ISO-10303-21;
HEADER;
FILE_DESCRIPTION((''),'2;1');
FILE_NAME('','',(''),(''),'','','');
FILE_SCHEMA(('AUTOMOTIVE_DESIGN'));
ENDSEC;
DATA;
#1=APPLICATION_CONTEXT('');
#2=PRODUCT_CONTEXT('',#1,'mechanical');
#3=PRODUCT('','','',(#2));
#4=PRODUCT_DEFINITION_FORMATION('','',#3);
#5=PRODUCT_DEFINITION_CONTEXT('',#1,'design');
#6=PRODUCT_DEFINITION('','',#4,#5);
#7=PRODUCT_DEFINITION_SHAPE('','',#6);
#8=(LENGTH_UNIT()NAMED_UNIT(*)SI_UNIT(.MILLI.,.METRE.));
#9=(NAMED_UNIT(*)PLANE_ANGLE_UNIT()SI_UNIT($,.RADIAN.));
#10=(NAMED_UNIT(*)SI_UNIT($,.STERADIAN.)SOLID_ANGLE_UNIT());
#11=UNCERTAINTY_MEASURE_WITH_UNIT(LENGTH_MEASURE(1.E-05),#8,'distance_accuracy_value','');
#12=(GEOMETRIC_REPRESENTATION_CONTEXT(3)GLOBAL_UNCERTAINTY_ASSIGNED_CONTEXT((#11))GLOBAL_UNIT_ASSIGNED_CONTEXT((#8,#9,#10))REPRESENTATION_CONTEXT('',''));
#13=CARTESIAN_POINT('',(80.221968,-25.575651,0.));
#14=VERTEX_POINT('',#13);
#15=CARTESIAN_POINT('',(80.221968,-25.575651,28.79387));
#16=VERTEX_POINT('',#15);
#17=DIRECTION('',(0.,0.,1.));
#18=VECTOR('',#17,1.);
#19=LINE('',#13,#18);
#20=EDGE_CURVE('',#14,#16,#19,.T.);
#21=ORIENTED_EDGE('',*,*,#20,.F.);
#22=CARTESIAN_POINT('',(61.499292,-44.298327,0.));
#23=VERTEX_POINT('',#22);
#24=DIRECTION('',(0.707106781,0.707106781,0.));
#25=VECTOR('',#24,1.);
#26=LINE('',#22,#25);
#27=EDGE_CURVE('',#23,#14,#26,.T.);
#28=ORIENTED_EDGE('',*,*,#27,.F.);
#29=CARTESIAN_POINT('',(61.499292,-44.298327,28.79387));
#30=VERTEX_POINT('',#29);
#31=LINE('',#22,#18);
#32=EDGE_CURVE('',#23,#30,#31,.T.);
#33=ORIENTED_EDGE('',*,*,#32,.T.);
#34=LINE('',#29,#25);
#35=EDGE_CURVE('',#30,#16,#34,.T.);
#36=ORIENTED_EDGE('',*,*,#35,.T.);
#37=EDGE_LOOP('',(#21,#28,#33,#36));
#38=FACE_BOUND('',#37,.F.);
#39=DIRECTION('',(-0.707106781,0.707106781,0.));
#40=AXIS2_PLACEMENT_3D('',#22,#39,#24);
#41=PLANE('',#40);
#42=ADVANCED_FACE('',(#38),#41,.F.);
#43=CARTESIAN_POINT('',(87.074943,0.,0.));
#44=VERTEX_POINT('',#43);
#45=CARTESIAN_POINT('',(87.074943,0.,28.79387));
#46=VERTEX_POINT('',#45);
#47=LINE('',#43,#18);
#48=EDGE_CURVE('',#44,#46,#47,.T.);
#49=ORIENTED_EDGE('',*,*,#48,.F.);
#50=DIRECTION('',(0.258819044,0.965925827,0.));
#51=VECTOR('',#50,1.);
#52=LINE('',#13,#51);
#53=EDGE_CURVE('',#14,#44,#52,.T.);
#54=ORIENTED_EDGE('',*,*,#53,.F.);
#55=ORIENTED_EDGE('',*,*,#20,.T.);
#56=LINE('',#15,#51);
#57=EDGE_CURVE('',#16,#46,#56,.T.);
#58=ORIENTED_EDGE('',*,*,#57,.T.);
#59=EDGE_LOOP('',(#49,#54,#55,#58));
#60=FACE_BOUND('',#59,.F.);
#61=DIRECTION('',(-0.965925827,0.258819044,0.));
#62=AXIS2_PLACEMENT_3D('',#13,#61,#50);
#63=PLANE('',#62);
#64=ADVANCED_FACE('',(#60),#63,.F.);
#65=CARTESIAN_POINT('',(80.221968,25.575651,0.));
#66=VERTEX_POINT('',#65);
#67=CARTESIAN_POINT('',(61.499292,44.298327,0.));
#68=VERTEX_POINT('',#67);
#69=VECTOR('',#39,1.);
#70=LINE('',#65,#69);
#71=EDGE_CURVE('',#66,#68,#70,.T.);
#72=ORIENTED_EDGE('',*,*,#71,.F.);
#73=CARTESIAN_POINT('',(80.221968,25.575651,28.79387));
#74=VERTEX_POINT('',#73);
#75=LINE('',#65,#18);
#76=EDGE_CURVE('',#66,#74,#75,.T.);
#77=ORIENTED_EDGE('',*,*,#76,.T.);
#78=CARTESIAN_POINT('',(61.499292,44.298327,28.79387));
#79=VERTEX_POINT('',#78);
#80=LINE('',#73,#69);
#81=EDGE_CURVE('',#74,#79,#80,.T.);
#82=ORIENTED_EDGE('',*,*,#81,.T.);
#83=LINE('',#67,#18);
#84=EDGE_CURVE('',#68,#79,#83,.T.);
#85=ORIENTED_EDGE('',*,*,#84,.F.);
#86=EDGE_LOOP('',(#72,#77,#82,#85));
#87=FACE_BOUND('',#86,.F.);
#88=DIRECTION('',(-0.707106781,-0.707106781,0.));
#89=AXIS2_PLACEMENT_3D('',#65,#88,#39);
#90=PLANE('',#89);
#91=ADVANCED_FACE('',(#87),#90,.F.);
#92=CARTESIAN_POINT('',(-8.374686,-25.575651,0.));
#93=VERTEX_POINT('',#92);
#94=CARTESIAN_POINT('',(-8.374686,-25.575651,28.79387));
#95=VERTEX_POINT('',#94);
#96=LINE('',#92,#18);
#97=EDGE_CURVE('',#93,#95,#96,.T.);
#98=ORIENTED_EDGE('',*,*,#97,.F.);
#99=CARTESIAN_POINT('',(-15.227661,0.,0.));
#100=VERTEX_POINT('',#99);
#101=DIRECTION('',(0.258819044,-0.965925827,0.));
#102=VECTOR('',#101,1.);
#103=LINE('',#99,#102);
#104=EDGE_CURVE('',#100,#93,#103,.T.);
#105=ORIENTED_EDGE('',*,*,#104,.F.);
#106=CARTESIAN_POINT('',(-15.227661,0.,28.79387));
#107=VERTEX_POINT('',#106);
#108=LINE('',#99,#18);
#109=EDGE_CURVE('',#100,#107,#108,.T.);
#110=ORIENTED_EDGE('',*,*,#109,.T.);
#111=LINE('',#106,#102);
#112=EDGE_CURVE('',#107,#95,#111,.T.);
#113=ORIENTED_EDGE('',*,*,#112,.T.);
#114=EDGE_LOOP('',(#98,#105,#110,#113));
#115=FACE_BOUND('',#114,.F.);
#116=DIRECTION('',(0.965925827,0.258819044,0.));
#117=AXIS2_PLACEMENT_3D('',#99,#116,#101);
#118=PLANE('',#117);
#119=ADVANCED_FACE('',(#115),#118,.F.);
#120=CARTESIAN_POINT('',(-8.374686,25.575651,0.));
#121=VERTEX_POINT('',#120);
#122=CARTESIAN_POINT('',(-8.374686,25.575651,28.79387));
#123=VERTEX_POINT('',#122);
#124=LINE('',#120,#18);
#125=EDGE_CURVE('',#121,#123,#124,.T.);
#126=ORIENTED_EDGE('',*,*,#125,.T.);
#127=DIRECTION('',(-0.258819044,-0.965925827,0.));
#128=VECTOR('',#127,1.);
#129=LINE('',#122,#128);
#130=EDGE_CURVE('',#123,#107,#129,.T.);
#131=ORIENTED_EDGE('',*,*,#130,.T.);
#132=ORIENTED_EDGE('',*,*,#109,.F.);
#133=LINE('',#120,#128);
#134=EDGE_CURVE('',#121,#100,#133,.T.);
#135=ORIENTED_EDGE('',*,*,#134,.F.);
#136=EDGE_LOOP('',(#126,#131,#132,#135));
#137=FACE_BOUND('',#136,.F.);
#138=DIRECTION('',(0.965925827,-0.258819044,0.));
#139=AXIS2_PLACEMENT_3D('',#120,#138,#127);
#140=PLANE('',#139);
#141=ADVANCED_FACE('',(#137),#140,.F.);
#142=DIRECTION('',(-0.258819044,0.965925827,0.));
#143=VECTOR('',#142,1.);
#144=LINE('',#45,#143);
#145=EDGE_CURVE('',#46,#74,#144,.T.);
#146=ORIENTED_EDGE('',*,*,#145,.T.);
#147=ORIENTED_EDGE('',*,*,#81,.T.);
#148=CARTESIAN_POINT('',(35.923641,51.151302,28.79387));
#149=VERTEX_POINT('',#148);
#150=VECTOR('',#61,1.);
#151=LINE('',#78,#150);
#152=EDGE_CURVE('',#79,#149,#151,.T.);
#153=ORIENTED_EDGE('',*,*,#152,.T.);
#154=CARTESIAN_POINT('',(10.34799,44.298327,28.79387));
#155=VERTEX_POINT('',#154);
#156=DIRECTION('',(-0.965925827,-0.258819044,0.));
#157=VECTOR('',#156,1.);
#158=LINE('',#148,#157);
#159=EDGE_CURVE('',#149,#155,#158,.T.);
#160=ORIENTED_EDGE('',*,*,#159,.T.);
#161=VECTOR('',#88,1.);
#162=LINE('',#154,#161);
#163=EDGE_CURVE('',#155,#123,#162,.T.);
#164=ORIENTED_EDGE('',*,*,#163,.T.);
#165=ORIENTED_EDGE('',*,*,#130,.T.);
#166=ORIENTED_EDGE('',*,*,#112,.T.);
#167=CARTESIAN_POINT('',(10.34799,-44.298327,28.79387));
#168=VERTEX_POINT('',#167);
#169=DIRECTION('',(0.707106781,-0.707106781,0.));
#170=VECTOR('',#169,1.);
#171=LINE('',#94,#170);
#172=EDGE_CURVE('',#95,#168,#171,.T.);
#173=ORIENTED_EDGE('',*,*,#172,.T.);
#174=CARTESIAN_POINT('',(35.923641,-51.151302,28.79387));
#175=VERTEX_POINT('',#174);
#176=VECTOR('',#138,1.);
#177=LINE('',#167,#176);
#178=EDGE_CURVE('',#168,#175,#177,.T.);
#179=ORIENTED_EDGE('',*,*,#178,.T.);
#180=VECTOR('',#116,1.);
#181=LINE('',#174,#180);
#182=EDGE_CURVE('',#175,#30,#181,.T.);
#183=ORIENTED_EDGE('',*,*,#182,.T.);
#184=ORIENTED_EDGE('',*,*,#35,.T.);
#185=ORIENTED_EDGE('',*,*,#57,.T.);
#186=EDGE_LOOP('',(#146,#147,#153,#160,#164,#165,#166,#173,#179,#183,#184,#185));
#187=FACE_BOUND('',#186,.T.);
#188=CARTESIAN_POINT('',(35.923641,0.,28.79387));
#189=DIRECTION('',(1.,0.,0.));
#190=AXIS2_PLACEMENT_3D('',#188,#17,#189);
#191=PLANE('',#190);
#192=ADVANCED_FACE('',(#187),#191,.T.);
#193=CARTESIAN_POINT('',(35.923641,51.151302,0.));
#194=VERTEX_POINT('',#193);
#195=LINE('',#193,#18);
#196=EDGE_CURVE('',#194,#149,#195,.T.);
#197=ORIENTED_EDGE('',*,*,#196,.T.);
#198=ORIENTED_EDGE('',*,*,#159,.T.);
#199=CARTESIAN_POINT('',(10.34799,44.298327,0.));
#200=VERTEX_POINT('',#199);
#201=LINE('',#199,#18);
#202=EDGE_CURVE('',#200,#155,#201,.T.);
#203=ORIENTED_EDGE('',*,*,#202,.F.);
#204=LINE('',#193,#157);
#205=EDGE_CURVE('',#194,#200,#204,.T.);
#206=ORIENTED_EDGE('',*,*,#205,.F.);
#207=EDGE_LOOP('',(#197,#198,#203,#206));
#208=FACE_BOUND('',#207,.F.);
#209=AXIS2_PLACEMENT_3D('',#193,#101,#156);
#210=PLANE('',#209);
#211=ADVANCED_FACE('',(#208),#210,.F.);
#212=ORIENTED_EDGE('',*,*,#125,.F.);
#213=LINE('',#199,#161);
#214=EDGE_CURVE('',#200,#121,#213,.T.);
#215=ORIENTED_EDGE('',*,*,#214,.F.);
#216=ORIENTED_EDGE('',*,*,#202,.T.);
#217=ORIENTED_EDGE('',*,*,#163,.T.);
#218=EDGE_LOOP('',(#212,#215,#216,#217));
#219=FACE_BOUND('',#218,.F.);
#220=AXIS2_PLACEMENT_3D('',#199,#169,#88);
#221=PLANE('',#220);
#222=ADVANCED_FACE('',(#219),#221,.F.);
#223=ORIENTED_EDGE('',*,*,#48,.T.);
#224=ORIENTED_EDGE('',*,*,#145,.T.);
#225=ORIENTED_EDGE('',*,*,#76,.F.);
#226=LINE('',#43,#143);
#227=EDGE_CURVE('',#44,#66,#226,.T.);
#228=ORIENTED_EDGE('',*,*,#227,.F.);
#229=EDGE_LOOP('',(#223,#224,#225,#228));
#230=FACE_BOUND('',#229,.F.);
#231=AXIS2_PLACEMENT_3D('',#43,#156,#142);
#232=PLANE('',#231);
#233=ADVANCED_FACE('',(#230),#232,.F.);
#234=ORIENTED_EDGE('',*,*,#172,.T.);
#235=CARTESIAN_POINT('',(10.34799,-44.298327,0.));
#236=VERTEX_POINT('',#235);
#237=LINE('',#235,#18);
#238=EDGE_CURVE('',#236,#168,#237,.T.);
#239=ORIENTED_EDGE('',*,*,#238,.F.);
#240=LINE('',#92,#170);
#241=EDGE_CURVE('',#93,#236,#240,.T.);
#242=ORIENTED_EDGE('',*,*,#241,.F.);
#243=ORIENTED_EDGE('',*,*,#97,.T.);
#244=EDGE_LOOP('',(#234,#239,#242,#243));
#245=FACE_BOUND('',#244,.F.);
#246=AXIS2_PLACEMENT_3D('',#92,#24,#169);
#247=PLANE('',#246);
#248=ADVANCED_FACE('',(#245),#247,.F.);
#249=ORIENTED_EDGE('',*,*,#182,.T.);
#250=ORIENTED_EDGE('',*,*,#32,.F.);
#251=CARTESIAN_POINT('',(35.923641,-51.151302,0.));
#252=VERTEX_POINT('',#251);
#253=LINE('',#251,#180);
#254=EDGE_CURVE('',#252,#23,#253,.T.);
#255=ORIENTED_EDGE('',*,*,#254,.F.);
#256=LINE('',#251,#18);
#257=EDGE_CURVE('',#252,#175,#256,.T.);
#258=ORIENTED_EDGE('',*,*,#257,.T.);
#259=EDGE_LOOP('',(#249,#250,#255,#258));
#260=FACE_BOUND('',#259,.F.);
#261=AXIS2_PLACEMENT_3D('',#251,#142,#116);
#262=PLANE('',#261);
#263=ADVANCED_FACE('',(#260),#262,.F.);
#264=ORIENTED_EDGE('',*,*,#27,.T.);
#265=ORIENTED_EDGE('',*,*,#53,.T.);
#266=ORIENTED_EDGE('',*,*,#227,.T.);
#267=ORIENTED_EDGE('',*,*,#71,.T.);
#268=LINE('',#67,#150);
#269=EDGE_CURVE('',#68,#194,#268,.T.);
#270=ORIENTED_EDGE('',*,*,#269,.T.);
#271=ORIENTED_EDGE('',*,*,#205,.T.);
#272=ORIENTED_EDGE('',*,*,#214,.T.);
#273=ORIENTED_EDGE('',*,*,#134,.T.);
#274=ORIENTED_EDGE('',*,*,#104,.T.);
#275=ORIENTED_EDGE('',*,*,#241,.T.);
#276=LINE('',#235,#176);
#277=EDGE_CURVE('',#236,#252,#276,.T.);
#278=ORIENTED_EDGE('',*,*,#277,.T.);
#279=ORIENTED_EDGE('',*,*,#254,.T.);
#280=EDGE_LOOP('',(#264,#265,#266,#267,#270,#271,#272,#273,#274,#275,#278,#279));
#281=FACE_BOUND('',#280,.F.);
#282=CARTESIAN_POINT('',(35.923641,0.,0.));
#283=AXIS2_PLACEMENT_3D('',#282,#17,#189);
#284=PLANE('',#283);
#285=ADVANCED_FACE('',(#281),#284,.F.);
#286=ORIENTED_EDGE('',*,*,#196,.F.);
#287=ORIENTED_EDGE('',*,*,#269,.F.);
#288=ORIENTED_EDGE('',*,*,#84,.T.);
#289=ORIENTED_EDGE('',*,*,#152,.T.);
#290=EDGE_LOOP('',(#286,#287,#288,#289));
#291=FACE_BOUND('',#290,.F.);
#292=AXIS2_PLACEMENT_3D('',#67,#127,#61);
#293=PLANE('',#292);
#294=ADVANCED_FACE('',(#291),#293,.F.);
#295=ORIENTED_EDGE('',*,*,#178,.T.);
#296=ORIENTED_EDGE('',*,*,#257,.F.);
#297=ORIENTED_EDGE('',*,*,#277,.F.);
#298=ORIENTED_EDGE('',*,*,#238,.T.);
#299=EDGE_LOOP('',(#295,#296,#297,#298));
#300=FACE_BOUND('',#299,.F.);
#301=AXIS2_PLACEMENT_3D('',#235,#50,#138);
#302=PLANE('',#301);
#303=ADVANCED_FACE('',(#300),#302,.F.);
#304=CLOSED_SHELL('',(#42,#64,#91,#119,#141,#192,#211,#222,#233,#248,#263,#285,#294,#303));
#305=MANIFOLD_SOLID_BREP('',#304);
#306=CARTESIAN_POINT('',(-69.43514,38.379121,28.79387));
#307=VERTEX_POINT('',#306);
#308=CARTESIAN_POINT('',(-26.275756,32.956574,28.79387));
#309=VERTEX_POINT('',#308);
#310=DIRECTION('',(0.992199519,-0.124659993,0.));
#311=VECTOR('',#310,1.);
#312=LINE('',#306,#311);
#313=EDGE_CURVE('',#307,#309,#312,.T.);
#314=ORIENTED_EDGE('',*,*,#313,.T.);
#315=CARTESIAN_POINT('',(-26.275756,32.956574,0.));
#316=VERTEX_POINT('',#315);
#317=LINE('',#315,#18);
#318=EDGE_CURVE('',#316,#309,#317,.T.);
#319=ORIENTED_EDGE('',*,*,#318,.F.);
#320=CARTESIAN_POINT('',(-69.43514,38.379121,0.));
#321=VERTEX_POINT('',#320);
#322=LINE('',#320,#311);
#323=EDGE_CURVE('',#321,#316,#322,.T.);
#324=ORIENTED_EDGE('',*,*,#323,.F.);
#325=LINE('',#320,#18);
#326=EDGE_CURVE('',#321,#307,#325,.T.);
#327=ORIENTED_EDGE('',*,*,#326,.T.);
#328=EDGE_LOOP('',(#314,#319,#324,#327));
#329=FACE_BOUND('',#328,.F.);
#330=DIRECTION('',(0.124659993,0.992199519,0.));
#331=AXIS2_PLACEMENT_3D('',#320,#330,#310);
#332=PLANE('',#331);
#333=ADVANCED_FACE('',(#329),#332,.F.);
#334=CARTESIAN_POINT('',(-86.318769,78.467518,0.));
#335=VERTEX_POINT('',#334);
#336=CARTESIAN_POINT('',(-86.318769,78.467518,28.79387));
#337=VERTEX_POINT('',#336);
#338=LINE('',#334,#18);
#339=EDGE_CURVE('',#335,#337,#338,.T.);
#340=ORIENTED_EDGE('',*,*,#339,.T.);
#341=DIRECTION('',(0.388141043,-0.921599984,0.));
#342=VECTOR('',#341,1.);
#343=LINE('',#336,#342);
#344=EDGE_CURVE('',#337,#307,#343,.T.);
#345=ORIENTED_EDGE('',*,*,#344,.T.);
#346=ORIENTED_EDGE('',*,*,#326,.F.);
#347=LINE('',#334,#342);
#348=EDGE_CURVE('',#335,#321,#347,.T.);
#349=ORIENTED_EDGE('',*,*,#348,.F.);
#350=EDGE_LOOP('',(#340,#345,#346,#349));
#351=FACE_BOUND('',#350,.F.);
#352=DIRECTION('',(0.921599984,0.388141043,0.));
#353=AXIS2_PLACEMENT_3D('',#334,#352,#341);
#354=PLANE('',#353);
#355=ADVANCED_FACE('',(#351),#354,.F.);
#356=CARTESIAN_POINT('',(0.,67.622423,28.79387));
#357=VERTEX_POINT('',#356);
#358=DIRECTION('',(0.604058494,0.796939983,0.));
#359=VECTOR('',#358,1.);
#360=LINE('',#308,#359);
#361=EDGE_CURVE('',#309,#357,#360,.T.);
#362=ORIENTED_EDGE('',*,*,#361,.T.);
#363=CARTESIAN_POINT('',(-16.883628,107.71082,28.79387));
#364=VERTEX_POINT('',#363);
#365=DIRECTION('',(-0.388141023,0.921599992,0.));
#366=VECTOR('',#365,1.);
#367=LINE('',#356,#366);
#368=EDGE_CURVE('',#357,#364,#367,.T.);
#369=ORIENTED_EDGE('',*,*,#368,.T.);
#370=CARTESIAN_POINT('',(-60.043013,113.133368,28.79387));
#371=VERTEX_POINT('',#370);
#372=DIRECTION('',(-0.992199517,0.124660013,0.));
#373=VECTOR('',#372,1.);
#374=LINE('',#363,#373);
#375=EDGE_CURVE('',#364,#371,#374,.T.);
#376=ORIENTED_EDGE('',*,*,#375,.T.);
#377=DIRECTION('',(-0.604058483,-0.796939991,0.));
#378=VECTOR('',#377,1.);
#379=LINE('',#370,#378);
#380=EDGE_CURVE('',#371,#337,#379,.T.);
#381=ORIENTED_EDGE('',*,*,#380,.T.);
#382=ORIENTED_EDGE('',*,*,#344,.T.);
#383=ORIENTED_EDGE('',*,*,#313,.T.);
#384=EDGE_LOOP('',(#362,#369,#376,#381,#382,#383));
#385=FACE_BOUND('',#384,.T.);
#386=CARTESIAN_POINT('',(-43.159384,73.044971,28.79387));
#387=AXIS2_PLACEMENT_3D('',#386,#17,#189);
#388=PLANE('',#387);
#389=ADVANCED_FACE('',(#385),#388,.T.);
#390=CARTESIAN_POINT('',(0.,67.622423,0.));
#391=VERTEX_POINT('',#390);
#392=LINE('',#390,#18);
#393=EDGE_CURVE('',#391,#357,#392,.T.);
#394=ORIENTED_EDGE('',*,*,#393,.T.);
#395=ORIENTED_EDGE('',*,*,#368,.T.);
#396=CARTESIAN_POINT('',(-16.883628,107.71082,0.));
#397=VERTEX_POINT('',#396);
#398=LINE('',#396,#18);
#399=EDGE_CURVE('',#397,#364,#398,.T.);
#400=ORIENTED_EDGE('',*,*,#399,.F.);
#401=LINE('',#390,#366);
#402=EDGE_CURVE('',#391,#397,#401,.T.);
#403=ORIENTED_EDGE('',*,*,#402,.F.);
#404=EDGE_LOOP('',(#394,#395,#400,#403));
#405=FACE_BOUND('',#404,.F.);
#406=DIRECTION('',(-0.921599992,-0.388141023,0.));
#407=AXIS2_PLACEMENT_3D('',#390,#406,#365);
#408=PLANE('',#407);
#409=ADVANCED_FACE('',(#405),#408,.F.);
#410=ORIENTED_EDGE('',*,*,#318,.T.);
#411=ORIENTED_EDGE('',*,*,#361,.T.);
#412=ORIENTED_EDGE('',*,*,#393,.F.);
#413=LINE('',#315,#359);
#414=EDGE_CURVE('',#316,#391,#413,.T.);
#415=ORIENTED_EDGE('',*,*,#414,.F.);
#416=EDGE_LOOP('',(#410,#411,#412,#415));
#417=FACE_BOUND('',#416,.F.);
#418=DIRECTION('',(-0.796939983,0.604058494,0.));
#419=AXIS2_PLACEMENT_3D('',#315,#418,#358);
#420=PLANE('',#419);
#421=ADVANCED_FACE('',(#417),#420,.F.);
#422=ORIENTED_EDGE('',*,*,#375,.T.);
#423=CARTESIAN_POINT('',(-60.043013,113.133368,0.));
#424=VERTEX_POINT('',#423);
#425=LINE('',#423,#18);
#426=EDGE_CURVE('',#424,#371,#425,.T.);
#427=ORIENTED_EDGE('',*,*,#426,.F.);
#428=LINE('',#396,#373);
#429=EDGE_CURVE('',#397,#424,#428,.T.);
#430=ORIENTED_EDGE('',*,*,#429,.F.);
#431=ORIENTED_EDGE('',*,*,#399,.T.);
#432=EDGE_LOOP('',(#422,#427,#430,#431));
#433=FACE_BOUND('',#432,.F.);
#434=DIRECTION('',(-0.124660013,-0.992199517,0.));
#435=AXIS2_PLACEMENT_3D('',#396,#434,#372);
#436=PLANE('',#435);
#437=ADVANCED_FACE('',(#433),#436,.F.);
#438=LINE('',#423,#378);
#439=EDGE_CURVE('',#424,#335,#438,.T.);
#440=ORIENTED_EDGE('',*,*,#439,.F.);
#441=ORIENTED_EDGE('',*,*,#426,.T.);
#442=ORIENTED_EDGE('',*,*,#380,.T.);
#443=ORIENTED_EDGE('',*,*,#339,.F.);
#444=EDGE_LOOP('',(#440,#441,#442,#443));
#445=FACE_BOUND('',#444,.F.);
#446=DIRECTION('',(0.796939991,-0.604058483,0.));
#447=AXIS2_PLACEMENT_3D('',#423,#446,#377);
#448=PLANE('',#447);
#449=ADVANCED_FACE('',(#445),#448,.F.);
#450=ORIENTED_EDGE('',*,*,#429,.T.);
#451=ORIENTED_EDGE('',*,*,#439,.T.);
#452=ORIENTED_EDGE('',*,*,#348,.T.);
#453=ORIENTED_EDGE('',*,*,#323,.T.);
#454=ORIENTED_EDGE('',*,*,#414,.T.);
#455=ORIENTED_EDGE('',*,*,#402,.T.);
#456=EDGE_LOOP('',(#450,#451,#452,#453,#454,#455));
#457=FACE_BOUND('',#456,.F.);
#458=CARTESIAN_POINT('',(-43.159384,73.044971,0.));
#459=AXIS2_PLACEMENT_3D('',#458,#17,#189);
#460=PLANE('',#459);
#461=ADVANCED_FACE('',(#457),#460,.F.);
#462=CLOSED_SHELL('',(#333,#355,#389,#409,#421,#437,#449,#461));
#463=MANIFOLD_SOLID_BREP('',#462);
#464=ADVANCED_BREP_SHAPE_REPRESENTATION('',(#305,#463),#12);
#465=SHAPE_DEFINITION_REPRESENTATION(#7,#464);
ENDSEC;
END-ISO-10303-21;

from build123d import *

# Parameters (mm, degrees)
F1_DEPTH = 28.79387


with BuildPart() as f1:
    # F0 (on Top) → F1 (new body)
    with BuildSketch(Plane.XY):
        Polygon((-8.374686, 25.575651), (-15.227661, 0), (-8.374686, -25.575651), (10.34799, -44.298327), (35.923641, -51.151302), (61.499292, -44.298327), (80.221968, -25.575651), (87.074943, 0), (80.221968, 25.575651), (61.499292, 44.298327), (35.923641, 51.151302), (10.34799, 44.298327), align=None)
        Polygon((-26.275756, 32.956574), (0, 67.622423), (-16.883628, 107.71082), (-60.043013, 113.133368), (-86.318769, 78.467518), (-69.43514, 38.379121), align=None)
    extrude(amount=F1_DEPTH)


solid = f1.part
